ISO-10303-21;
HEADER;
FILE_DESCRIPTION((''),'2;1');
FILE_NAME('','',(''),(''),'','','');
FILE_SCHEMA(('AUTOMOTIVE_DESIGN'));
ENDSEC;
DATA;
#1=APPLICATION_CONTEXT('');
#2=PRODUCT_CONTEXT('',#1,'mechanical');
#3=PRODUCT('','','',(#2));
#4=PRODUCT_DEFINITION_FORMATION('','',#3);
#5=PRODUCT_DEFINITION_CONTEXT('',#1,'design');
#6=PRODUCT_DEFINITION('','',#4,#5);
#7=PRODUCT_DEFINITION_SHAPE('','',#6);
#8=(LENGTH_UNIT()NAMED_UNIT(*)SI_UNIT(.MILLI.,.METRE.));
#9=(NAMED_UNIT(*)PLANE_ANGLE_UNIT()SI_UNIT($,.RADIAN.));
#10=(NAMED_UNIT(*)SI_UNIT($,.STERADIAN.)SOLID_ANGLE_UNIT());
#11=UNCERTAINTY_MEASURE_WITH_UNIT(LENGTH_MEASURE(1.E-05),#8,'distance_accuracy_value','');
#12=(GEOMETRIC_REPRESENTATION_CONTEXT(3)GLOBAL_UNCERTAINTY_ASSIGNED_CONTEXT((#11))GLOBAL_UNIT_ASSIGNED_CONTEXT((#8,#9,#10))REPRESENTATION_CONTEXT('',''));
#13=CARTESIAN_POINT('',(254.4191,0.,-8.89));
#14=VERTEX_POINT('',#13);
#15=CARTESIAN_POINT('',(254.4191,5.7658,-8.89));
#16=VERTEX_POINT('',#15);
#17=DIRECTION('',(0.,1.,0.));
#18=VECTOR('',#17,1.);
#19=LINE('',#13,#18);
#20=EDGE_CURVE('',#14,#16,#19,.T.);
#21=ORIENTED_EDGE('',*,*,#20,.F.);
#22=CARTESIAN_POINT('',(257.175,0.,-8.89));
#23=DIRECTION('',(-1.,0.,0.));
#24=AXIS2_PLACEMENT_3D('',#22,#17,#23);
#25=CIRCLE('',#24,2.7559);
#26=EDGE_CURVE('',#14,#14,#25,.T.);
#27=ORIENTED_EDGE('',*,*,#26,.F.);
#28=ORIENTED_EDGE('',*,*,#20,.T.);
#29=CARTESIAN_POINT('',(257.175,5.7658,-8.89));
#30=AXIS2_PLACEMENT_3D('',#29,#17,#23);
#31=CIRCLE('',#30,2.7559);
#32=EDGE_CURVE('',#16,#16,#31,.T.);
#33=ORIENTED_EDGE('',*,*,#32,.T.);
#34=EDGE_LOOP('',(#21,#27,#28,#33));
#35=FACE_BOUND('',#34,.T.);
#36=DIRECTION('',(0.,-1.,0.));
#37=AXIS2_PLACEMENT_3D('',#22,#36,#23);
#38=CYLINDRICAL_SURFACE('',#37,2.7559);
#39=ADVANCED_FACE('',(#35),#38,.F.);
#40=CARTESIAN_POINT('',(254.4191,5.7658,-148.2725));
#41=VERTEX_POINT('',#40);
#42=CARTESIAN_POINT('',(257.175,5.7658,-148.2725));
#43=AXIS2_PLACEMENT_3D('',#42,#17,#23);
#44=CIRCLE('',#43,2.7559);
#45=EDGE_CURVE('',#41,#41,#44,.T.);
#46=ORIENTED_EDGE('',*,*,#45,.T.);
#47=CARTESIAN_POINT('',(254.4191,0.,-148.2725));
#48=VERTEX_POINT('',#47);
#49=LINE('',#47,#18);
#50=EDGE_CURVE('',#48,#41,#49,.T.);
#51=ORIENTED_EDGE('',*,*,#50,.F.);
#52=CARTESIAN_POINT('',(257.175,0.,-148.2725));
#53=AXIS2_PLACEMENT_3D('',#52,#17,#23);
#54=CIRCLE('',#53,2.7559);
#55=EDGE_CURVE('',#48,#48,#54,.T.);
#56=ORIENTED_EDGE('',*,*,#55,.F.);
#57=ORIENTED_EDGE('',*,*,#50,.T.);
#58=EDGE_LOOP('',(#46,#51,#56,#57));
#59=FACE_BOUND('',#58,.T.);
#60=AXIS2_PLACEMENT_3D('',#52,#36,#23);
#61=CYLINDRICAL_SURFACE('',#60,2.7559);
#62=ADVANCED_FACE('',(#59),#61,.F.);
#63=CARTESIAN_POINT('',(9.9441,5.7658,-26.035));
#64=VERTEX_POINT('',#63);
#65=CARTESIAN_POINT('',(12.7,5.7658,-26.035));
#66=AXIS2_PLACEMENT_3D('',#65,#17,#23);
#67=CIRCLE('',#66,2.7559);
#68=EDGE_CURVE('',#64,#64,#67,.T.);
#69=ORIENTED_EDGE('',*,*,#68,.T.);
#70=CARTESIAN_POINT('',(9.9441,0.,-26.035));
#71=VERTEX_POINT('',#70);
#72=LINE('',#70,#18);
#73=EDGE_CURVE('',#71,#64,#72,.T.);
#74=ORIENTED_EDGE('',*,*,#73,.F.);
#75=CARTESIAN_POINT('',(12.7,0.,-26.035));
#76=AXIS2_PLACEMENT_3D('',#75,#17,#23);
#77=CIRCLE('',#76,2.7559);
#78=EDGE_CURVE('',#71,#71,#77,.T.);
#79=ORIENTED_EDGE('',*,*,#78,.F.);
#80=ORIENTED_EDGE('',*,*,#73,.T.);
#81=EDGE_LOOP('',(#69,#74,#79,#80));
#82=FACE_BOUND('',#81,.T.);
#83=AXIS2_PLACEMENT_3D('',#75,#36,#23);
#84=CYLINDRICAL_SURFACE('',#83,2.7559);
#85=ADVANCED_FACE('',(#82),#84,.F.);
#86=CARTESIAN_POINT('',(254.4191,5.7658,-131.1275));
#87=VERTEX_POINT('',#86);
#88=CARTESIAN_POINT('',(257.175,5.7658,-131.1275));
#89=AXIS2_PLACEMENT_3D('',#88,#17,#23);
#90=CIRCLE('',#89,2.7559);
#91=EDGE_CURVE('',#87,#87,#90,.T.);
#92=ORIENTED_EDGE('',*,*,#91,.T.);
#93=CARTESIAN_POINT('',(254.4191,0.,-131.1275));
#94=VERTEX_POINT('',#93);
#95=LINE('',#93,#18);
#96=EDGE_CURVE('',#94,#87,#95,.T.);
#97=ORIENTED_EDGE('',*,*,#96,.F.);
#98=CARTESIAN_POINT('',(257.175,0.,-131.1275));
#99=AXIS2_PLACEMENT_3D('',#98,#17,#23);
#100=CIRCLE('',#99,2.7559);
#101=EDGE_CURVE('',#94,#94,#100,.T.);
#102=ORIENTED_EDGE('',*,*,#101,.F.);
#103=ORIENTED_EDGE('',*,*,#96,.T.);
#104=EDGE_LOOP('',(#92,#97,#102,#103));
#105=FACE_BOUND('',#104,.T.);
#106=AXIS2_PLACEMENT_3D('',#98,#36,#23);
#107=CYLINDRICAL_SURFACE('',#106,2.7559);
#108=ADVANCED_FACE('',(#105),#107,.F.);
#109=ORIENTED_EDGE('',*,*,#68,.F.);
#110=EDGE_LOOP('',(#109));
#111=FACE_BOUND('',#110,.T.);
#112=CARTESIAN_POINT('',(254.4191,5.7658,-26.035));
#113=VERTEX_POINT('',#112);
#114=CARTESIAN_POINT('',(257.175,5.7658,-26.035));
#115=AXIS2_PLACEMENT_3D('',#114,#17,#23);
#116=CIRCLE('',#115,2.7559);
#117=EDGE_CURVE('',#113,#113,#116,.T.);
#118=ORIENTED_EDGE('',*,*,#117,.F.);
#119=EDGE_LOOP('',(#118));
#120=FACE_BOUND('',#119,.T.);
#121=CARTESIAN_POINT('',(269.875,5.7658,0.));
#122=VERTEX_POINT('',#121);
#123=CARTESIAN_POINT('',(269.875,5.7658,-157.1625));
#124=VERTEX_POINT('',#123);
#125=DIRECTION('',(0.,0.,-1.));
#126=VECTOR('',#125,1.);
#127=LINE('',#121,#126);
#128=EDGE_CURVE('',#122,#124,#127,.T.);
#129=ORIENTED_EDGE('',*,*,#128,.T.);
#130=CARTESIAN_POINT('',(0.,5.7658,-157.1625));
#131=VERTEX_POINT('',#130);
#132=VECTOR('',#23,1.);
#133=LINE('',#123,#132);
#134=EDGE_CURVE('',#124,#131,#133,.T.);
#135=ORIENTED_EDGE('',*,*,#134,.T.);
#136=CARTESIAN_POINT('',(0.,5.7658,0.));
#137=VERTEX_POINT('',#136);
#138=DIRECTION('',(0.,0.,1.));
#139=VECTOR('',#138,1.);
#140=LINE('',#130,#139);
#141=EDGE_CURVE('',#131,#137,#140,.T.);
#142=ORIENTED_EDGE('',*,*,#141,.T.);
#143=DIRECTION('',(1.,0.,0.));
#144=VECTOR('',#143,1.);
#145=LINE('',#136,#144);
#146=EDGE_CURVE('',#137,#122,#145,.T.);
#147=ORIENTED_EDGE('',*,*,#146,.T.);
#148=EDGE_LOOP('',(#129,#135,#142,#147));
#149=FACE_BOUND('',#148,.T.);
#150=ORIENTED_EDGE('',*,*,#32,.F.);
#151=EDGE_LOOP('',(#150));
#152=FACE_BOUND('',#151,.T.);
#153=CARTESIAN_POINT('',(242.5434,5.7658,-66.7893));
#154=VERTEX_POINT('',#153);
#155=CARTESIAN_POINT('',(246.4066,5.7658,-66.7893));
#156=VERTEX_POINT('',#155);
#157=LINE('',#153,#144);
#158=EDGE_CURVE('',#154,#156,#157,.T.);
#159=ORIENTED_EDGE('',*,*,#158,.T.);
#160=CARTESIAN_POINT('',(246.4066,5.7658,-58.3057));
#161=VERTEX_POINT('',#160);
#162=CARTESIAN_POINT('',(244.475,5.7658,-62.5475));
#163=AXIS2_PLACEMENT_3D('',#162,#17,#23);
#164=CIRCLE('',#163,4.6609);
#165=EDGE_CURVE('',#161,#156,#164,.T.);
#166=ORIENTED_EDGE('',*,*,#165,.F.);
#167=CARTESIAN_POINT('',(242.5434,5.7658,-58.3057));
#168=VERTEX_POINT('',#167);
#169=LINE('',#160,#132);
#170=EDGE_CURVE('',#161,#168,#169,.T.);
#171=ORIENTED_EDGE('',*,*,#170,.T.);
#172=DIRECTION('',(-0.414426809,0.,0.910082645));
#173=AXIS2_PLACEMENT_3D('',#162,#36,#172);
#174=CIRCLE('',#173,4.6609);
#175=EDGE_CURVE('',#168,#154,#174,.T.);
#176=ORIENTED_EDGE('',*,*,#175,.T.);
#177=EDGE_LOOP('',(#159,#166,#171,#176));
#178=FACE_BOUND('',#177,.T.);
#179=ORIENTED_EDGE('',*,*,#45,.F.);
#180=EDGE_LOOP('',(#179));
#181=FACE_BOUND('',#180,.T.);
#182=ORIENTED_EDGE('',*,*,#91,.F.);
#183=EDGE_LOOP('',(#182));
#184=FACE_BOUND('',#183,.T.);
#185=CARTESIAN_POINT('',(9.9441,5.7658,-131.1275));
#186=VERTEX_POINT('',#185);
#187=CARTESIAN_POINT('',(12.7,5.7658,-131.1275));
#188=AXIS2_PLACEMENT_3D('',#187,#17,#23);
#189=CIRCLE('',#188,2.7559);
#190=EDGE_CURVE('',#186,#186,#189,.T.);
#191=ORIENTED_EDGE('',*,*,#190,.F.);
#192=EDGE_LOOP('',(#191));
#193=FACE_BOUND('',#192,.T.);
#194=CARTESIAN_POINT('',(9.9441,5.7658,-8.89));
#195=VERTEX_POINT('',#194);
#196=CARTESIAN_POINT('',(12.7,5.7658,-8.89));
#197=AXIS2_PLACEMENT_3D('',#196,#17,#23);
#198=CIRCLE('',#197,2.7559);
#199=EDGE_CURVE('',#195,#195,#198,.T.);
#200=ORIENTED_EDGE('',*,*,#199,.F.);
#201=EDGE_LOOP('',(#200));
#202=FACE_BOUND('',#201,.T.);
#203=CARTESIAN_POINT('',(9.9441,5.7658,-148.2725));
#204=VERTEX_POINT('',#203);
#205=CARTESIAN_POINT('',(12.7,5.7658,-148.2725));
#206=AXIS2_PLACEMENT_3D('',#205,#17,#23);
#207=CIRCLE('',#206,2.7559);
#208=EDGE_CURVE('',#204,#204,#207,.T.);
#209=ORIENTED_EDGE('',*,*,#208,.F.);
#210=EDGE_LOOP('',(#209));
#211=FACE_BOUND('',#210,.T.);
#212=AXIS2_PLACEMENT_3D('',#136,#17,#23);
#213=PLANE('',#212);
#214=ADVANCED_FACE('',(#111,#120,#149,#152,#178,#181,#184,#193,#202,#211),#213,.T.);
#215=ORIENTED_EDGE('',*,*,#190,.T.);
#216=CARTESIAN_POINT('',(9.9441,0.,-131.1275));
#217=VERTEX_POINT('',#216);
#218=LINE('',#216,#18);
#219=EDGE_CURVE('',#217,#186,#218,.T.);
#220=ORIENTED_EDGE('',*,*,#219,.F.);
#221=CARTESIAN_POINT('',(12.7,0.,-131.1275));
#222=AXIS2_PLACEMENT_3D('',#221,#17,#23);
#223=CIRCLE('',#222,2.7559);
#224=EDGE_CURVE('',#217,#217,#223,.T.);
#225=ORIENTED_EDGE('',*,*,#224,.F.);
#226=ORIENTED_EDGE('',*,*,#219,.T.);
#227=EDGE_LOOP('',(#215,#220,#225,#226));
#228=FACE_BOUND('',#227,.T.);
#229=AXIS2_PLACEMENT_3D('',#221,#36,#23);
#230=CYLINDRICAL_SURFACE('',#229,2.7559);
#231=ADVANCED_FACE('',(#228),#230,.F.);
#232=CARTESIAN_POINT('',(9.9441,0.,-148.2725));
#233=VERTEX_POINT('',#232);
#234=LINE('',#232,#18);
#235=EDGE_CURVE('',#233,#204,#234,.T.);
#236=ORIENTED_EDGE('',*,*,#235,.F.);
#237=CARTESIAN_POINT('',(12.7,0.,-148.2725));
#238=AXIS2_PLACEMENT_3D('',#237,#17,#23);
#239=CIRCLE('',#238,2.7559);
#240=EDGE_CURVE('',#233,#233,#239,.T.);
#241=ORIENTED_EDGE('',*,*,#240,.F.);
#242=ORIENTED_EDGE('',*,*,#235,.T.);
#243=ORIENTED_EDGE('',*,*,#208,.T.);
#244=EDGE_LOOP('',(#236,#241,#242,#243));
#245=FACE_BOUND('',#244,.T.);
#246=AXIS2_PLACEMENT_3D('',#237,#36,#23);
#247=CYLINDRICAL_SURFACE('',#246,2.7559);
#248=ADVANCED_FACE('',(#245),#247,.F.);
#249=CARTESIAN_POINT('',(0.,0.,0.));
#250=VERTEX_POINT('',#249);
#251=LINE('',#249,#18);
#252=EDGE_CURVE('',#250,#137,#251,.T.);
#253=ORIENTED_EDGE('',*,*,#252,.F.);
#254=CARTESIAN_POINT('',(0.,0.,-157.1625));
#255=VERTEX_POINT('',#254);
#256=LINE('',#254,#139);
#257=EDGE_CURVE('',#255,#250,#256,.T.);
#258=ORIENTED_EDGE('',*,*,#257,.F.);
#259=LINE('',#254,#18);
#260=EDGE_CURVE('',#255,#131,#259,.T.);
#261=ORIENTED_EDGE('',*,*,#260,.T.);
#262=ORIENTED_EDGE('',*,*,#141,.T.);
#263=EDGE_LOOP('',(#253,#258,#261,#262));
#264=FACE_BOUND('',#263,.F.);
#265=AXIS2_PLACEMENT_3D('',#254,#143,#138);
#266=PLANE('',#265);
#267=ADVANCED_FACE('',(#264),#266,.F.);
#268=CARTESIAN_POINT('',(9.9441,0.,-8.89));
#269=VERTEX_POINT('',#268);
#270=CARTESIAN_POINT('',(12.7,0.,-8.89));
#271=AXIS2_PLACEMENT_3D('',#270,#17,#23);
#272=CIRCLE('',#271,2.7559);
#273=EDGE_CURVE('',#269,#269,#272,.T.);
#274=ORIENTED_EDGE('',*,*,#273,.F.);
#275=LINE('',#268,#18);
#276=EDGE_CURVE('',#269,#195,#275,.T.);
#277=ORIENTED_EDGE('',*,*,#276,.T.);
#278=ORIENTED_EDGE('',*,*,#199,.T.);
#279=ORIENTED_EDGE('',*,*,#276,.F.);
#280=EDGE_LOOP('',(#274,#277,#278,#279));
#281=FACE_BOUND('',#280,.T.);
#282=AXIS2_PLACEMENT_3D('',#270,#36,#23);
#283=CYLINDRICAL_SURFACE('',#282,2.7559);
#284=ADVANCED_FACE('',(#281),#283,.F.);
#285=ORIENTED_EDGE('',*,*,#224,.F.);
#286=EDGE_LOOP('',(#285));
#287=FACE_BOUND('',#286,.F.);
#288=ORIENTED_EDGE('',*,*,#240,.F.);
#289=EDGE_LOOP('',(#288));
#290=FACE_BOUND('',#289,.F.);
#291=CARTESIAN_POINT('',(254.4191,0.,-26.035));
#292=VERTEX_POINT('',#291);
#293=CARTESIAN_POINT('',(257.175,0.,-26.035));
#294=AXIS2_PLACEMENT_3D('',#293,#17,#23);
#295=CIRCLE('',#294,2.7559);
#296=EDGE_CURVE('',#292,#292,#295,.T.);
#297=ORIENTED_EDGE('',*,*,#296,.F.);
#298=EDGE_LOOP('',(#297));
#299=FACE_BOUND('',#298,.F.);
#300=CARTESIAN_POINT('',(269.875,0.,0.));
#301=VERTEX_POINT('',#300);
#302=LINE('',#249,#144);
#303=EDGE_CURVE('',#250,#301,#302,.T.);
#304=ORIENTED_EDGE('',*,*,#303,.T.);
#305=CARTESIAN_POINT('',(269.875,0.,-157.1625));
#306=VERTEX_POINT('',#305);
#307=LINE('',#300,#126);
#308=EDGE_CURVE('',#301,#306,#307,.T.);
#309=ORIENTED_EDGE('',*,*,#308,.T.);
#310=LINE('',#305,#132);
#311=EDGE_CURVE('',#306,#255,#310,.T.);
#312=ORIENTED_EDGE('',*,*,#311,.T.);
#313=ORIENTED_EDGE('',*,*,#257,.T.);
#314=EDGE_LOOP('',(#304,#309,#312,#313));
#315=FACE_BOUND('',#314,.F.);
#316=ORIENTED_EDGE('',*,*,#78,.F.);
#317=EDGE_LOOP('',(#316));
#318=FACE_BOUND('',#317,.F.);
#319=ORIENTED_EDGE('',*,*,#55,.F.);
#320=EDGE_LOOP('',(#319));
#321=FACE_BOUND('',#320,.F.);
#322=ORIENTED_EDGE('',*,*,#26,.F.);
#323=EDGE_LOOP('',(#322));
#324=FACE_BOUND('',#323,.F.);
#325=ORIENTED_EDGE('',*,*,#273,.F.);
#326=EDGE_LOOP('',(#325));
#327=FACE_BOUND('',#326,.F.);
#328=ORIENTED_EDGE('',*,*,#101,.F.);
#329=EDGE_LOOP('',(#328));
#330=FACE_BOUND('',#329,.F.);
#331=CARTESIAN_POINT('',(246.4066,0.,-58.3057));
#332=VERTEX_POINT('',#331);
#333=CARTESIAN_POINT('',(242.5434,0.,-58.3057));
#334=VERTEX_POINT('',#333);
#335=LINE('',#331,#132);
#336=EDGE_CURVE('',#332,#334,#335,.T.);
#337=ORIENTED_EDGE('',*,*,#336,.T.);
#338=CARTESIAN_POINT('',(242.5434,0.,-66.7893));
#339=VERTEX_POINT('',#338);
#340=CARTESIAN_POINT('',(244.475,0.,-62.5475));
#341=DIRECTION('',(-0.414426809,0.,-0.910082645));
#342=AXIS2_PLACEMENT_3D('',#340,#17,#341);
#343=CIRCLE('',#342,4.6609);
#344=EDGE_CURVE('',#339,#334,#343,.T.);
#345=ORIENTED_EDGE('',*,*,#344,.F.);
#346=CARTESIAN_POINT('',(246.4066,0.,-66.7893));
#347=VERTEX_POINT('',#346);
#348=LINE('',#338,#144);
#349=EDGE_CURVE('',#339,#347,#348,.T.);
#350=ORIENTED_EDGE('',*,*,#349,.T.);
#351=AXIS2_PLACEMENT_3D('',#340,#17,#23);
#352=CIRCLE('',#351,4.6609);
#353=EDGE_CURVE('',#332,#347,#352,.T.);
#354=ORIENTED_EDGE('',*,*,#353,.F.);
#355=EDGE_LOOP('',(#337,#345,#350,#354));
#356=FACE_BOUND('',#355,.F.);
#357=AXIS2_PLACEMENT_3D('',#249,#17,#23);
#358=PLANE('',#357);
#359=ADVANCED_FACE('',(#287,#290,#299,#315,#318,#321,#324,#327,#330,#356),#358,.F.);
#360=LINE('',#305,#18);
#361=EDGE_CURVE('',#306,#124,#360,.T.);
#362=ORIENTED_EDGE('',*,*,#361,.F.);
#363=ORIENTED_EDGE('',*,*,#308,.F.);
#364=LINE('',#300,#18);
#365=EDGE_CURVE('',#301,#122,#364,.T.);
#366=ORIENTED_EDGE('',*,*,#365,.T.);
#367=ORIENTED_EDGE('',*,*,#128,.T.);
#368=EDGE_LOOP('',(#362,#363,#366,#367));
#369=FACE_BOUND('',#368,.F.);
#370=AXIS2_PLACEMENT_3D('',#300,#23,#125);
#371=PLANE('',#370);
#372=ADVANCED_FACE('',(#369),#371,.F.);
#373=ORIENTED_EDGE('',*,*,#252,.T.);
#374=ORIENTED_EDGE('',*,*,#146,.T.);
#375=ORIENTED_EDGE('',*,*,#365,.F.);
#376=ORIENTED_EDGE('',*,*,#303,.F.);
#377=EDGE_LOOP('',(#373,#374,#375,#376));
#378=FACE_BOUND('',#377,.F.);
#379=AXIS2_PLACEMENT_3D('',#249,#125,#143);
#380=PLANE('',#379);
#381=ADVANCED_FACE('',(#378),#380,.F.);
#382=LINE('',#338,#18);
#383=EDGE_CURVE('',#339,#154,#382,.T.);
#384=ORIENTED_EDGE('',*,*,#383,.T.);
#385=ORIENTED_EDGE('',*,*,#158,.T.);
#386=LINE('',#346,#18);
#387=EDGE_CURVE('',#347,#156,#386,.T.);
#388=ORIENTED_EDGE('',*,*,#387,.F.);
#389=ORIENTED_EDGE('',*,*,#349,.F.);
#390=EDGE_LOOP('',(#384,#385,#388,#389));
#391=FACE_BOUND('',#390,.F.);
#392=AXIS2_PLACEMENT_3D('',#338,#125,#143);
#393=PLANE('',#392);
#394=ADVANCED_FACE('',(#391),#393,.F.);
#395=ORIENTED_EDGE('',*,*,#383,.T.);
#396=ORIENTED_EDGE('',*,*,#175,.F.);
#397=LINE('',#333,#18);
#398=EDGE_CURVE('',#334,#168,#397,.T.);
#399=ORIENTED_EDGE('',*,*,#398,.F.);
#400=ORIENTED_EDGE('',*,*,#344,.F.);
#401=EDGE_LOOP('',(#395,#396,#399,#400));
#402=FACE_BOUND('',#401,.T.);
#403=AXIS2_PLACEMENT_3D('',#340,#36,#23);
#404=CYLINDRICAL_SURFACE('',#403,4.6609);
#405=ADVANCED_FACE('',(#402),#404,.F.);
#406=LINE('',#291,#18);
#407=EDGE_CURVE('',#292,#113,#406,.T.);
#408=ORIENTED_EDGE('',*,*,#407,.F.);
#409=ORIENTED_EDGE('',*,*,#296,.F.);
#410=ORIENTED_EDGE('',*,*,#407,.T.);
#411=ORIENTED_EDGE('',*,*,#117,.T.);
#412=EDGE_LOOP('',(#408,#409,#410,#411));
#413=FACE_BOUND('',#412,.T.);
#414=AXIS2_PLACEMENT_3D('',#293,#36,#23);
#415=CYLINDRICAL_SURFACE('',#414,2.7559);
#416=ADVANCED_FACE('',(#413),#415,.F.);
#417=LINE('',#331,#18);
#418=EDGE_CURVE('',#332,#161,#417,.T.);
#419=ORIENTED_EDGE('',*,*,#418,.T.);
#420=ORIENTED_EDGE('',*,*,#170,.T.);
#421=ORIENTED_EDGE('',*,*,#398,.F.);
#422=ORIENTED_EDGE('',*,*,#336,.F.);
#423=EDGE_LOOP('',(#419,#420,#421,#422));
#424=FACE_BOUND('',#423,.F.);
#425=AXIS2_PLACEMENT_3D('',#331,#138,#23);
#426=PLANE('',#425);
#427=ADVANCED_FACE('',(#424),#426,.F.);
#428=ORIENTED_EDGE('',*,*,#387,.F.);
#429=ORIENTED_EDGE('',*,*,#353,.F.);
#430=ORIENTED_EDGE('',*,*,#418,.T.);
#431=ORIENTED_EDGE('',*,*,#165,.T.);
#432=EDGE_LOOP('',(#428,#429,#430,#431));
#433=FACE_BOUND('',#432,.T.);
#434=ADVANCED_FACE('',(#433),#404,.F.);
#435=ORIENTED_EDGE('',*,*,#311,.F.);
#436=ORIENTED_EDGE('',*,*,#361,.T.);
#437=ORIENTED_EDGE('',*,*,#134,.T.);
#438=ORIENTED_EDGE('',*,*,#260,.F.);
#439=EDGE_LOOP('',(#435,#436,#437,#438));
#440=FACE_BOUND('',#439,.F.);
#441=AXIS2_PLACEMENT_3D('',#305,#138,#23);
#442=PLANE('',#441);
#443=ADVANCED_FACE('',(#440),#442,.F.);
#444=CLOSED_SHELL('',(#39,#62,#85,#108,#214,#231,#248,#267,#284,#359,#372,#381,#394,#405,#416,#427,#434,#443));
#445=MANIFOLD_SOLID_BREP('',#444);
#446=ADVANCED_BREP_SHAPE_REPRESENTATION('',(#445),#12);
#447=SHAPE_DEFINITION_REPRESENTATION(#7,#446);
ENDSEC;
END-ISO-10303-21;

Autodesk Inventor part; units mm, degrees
ref_plane "YZ Plane" through (0, 0, 0) normal (1, 0, 0) x (0, 1, 0)
ref_plane "XZ Plane" through (0, 0, 0) normal (0, 1, 0) x (-1, 0, 0)
ref_plane "XY Plane" through (0, 0, 0) normal (0, 0, 1) x (1, 0, 0)
sketch "Sketch1" plane through (0, 0, 0) normal (0, 1, 0) x (-1, 0, 0)
  line L0 (0, 0) -> (-269.875, 0)
  line L1 (-269.875, 0) -> (-269.875, -157.1625)
  line L2 (-269.875, -157.1625) -> (0, -157.1625)
  line L3 (0, -157.1625) -> (0, 0)
  circle A0 centre (-257.175, -148.2725) radius 2.7559
  circle A1 centre (-257.175, -8.89) radius 2.7559
  circle A2 centre (-12.7, -8.89) radius 2.7559
  circle A3 centre (-257.175, -131.1275) radius 2.7559
  circle A4 centre (-257.175, -26.035) radius 2.7559
  circle A5 centre (-12.7, -148.2725) radius 2.7559
  circle A6 centre (-12.7, -131.1275) radius 2.7559
  circle A7 centre (-12.7, -26.035) radius 2.7559
  circle A8 centre (-244.475, -62.5475) radius 4.6609
  line L4 (-242.5434, -66.7893) -> (-246.4066, -66.7893)
  line L5 (-254, -66.7893) -> (-254, -58.3057) construction
  line L6 (-246.4066, -58.3057) -> (-242.5434, -58.3057)
  line L7 (-236.5375, -58.3057) -> (-236.5375, -66.7893) construction
  dimension "d0" = 157.1625
  dimension "d1" = 269.875
  dimension "d2" = 12.7
  dimension "d3" = 8.89
  dimension "d6" = 8.89
  dimension "d7" = 12.7
  dimension "d8" = 12.7
  dimension "d9" = 8.89
  dimension "d11" = 5.5118
  dimension "d12" = 5.5118
  dimension "d13" = 5.5118
  dimension "d15" = 17.145
  dimension "d16" = 12.7
  dimension "d17" = 5.5118
  dimension "d18" = 5.5118
  dimension "d19" = 12.7
  dimension "d20" = 17.145
  dimension "d21" = 12.7
  dimension "d22" = 8.89
  dimension "d23" = 5.5118
  dimension "d24" = 17.145
  dimension "d25" = 12.7
  dimension "d26" = 5.5118
  dimension "d27" = 12.7
  dimension "d28" = 17.145
  dimension "d29" = 5.5118
  dimension "d32" = 25.4
  dimension "d33" = 9.3218
  dimension "d34" = 4.2418
  dimension "d35" = 4.2418
  dimension "d36" = 17.4625
  dimension "d37" = 15.875
  dimension "d38" = 94.615
extrude "Extrusion2" add sketch "Sketch1" along normal blind 5.7658 contours L3 L2 L1 L0 | L6 A8 | A8 L4
properties part number "2023 1 17 Computer Box Door" material "Polycarbonate, Clear"
